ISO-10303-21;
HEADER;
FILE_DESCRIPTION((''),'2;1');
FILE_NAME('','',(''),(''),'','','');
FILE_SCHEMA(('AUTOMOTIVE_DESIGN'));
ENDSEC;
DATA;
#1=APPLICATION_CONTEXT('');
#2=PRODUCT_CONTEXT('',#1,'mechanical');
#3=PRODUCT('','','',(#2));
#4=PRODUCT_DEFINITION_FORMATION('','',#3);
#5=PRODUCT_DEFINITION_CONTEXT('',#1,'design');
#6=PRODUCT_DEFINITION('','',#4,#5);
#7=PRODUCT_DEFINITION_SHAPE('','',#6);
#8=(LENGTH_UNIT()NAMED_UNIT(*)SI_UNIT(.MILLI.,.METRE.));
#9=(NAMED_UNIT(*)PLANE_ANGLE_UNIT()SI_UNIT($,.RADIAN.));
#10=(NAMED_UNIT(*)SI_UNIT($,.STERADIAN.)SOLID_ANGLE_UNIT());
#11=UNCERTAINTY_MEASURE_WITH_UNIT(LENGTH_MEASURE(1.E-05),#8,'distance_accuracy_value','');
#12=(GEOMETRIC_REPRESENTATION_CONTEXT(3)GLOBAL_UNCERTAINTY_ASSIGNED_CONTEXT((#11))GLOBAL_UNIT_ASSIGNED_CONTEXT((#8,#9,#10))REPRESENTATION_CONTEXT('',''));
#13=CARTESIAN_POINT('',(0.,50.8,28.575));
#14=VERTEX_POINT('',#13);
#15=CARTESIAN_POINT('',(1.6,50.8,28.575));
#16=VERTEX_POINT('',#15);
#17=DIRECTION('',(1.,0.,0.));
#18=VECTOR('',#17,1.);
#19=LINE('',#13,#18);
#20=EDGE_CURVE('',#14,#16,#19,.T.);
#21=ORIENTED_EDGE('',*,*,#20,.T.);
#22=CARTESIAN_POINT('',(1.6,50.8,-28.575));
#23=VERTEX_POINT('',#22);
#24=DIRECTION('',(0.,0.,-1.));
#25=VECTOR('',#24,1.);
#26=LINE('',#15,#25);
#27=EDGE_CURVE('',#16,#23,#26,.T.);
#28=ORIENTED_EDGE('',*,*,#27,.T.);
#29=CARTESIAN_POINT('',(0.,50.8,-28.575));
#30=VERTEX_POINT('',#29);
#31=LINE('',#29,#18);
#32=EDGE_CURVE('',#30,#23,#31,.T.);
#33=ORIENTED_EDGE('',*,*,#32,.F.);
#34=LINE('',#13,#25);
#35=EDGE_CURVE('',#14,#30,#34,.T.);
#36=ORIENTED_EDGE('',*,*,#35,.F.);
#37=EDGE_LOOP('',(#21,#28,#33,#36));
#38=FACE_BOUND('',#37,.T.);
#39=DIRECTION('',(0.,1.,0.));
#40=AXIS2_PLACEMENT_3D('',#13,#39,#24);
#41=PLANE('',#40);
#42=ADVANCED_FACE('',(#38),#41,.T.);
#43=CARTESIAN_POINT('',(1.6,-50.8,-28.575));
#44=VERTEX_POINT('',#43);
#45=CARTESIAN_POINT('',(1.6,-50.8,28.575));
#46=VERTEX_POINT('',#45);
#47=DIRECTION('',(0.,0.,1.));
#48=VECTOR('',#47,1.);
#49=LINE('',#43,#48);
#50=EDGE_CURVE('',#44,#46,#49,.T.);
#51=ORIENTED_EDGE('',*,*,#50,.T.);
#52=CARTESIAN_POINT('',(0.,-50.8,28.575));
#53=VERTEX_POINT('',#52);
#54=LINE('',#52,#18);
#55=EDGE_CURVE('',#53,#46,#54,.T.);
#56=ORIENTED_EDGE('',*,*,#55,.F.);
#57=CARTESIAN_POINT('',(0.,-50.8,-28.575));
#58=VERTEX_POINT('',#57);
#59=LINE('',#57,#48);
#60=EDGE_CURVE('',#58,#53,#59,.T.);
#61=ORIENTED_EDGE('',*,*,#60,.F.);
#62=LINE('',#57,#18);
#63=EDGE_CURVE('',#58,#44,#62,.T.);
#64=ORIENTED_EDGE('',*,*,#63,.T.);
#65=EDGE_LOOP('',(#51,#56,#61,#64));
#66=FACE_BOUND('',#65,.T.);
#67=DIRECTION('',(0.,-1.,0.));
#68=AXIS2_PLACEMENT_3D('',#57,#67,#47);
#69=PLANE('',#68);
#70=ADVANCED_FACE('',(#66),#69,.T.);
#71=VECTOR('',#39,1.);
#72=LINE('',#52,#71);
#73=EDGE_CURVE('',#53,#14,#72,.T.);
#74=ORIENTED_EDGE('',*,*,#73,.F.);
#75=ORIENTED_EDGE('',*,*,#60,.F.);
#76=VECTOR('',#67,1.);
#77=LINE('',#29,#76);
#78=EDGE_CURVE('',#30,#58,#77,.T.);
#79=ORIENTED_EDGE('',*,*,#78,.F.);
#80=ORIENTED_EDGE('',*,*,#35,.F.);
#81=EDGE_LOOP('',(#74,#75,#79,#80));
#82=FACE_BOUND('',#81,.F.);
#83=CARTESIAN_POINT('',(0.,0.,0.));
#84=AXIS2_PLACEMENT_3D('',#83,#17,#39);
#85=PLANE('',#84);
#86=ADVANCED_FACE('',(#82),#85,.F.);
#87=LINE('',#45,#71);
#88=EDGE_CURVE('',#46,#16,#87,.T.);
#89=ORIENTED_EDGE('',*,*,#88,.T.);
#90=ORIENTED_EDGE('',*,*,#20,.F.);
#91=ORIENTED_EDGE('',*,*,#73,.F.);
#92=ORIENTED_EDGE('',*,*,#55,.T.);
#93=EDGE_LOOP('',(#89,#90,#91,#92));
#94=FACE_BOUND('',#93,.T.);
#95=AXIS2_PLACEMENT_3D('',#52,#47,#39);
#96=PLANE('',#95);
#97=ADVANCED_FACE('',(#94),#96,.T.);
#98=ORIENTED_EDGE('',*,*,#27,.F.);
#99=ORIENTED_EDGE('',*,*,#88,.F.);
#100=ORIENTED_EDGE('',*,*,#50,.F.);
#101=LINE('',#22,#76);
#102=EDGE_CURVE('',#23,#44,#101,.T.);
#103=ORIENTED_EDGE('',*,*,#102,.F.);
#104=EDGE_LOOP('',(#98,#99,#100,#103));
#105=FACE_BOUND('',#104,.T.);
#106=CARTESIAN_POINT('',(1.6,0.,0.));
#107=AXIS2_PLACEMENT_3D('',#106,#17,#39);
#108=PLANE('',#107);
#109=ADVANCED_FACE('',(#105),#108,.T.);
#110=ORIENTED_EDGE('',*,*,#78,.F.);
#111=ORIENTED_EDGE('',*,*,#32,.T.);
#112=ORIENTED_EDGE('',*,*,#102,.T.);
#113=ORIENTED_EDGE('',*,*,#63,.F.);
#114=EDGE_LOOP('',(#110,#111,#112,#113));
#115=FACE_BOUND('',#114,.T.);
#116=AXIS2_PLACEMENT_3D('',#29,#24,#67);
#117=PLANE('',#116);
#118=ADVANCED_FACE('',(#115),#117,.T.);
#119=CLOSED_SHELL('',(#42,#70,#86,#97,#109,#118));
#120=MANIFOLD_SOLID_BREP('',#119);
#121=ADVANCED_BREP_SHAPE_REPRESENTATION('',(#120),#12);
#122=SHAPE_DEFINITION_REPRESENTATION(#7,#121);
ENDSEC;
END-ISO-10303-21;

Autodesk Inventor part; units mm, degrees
ref_plane "YZ Plane" through (0, 0, 0) normal (1, 0, 0) x (0, 1, 0)
ref_plane "XZ Plane" through (0, 0, 0) normal (0, 1, 0) x (-1, 0, 0)
ref_plane "XY Plane" through (0, 0, 0) normal (0, 0, 1) x (1, 0, 0)
sketch "Sketch1" plane through (0, 0, 0) normal (1, 0, 0) x (0, 1, 0)
  line L0 (-50.8, 28.575) -> (50.8, 28.575)
  line L1 (50.8, 28.575) -> (50.8, -28.575)
  line L2 (50.8, -28.575) -> (-50.8, -28.575)
  line L3 (-50.8, -28.575) -> (-50.8, 28.575)
  line L4 (-50.8, 0) -> (50.8, 0) construction
  line L5 (0, 28.575) -> (0, -28.575) construction
  point P0 (0, 0)
  dimension "d0" = 101.6
  dimension "d2" = 57.15
extrude "Extrusion1" add sketch "Sketch1" along normal blind 1.6
properties part number "PowerPCB01" material "PCB"
